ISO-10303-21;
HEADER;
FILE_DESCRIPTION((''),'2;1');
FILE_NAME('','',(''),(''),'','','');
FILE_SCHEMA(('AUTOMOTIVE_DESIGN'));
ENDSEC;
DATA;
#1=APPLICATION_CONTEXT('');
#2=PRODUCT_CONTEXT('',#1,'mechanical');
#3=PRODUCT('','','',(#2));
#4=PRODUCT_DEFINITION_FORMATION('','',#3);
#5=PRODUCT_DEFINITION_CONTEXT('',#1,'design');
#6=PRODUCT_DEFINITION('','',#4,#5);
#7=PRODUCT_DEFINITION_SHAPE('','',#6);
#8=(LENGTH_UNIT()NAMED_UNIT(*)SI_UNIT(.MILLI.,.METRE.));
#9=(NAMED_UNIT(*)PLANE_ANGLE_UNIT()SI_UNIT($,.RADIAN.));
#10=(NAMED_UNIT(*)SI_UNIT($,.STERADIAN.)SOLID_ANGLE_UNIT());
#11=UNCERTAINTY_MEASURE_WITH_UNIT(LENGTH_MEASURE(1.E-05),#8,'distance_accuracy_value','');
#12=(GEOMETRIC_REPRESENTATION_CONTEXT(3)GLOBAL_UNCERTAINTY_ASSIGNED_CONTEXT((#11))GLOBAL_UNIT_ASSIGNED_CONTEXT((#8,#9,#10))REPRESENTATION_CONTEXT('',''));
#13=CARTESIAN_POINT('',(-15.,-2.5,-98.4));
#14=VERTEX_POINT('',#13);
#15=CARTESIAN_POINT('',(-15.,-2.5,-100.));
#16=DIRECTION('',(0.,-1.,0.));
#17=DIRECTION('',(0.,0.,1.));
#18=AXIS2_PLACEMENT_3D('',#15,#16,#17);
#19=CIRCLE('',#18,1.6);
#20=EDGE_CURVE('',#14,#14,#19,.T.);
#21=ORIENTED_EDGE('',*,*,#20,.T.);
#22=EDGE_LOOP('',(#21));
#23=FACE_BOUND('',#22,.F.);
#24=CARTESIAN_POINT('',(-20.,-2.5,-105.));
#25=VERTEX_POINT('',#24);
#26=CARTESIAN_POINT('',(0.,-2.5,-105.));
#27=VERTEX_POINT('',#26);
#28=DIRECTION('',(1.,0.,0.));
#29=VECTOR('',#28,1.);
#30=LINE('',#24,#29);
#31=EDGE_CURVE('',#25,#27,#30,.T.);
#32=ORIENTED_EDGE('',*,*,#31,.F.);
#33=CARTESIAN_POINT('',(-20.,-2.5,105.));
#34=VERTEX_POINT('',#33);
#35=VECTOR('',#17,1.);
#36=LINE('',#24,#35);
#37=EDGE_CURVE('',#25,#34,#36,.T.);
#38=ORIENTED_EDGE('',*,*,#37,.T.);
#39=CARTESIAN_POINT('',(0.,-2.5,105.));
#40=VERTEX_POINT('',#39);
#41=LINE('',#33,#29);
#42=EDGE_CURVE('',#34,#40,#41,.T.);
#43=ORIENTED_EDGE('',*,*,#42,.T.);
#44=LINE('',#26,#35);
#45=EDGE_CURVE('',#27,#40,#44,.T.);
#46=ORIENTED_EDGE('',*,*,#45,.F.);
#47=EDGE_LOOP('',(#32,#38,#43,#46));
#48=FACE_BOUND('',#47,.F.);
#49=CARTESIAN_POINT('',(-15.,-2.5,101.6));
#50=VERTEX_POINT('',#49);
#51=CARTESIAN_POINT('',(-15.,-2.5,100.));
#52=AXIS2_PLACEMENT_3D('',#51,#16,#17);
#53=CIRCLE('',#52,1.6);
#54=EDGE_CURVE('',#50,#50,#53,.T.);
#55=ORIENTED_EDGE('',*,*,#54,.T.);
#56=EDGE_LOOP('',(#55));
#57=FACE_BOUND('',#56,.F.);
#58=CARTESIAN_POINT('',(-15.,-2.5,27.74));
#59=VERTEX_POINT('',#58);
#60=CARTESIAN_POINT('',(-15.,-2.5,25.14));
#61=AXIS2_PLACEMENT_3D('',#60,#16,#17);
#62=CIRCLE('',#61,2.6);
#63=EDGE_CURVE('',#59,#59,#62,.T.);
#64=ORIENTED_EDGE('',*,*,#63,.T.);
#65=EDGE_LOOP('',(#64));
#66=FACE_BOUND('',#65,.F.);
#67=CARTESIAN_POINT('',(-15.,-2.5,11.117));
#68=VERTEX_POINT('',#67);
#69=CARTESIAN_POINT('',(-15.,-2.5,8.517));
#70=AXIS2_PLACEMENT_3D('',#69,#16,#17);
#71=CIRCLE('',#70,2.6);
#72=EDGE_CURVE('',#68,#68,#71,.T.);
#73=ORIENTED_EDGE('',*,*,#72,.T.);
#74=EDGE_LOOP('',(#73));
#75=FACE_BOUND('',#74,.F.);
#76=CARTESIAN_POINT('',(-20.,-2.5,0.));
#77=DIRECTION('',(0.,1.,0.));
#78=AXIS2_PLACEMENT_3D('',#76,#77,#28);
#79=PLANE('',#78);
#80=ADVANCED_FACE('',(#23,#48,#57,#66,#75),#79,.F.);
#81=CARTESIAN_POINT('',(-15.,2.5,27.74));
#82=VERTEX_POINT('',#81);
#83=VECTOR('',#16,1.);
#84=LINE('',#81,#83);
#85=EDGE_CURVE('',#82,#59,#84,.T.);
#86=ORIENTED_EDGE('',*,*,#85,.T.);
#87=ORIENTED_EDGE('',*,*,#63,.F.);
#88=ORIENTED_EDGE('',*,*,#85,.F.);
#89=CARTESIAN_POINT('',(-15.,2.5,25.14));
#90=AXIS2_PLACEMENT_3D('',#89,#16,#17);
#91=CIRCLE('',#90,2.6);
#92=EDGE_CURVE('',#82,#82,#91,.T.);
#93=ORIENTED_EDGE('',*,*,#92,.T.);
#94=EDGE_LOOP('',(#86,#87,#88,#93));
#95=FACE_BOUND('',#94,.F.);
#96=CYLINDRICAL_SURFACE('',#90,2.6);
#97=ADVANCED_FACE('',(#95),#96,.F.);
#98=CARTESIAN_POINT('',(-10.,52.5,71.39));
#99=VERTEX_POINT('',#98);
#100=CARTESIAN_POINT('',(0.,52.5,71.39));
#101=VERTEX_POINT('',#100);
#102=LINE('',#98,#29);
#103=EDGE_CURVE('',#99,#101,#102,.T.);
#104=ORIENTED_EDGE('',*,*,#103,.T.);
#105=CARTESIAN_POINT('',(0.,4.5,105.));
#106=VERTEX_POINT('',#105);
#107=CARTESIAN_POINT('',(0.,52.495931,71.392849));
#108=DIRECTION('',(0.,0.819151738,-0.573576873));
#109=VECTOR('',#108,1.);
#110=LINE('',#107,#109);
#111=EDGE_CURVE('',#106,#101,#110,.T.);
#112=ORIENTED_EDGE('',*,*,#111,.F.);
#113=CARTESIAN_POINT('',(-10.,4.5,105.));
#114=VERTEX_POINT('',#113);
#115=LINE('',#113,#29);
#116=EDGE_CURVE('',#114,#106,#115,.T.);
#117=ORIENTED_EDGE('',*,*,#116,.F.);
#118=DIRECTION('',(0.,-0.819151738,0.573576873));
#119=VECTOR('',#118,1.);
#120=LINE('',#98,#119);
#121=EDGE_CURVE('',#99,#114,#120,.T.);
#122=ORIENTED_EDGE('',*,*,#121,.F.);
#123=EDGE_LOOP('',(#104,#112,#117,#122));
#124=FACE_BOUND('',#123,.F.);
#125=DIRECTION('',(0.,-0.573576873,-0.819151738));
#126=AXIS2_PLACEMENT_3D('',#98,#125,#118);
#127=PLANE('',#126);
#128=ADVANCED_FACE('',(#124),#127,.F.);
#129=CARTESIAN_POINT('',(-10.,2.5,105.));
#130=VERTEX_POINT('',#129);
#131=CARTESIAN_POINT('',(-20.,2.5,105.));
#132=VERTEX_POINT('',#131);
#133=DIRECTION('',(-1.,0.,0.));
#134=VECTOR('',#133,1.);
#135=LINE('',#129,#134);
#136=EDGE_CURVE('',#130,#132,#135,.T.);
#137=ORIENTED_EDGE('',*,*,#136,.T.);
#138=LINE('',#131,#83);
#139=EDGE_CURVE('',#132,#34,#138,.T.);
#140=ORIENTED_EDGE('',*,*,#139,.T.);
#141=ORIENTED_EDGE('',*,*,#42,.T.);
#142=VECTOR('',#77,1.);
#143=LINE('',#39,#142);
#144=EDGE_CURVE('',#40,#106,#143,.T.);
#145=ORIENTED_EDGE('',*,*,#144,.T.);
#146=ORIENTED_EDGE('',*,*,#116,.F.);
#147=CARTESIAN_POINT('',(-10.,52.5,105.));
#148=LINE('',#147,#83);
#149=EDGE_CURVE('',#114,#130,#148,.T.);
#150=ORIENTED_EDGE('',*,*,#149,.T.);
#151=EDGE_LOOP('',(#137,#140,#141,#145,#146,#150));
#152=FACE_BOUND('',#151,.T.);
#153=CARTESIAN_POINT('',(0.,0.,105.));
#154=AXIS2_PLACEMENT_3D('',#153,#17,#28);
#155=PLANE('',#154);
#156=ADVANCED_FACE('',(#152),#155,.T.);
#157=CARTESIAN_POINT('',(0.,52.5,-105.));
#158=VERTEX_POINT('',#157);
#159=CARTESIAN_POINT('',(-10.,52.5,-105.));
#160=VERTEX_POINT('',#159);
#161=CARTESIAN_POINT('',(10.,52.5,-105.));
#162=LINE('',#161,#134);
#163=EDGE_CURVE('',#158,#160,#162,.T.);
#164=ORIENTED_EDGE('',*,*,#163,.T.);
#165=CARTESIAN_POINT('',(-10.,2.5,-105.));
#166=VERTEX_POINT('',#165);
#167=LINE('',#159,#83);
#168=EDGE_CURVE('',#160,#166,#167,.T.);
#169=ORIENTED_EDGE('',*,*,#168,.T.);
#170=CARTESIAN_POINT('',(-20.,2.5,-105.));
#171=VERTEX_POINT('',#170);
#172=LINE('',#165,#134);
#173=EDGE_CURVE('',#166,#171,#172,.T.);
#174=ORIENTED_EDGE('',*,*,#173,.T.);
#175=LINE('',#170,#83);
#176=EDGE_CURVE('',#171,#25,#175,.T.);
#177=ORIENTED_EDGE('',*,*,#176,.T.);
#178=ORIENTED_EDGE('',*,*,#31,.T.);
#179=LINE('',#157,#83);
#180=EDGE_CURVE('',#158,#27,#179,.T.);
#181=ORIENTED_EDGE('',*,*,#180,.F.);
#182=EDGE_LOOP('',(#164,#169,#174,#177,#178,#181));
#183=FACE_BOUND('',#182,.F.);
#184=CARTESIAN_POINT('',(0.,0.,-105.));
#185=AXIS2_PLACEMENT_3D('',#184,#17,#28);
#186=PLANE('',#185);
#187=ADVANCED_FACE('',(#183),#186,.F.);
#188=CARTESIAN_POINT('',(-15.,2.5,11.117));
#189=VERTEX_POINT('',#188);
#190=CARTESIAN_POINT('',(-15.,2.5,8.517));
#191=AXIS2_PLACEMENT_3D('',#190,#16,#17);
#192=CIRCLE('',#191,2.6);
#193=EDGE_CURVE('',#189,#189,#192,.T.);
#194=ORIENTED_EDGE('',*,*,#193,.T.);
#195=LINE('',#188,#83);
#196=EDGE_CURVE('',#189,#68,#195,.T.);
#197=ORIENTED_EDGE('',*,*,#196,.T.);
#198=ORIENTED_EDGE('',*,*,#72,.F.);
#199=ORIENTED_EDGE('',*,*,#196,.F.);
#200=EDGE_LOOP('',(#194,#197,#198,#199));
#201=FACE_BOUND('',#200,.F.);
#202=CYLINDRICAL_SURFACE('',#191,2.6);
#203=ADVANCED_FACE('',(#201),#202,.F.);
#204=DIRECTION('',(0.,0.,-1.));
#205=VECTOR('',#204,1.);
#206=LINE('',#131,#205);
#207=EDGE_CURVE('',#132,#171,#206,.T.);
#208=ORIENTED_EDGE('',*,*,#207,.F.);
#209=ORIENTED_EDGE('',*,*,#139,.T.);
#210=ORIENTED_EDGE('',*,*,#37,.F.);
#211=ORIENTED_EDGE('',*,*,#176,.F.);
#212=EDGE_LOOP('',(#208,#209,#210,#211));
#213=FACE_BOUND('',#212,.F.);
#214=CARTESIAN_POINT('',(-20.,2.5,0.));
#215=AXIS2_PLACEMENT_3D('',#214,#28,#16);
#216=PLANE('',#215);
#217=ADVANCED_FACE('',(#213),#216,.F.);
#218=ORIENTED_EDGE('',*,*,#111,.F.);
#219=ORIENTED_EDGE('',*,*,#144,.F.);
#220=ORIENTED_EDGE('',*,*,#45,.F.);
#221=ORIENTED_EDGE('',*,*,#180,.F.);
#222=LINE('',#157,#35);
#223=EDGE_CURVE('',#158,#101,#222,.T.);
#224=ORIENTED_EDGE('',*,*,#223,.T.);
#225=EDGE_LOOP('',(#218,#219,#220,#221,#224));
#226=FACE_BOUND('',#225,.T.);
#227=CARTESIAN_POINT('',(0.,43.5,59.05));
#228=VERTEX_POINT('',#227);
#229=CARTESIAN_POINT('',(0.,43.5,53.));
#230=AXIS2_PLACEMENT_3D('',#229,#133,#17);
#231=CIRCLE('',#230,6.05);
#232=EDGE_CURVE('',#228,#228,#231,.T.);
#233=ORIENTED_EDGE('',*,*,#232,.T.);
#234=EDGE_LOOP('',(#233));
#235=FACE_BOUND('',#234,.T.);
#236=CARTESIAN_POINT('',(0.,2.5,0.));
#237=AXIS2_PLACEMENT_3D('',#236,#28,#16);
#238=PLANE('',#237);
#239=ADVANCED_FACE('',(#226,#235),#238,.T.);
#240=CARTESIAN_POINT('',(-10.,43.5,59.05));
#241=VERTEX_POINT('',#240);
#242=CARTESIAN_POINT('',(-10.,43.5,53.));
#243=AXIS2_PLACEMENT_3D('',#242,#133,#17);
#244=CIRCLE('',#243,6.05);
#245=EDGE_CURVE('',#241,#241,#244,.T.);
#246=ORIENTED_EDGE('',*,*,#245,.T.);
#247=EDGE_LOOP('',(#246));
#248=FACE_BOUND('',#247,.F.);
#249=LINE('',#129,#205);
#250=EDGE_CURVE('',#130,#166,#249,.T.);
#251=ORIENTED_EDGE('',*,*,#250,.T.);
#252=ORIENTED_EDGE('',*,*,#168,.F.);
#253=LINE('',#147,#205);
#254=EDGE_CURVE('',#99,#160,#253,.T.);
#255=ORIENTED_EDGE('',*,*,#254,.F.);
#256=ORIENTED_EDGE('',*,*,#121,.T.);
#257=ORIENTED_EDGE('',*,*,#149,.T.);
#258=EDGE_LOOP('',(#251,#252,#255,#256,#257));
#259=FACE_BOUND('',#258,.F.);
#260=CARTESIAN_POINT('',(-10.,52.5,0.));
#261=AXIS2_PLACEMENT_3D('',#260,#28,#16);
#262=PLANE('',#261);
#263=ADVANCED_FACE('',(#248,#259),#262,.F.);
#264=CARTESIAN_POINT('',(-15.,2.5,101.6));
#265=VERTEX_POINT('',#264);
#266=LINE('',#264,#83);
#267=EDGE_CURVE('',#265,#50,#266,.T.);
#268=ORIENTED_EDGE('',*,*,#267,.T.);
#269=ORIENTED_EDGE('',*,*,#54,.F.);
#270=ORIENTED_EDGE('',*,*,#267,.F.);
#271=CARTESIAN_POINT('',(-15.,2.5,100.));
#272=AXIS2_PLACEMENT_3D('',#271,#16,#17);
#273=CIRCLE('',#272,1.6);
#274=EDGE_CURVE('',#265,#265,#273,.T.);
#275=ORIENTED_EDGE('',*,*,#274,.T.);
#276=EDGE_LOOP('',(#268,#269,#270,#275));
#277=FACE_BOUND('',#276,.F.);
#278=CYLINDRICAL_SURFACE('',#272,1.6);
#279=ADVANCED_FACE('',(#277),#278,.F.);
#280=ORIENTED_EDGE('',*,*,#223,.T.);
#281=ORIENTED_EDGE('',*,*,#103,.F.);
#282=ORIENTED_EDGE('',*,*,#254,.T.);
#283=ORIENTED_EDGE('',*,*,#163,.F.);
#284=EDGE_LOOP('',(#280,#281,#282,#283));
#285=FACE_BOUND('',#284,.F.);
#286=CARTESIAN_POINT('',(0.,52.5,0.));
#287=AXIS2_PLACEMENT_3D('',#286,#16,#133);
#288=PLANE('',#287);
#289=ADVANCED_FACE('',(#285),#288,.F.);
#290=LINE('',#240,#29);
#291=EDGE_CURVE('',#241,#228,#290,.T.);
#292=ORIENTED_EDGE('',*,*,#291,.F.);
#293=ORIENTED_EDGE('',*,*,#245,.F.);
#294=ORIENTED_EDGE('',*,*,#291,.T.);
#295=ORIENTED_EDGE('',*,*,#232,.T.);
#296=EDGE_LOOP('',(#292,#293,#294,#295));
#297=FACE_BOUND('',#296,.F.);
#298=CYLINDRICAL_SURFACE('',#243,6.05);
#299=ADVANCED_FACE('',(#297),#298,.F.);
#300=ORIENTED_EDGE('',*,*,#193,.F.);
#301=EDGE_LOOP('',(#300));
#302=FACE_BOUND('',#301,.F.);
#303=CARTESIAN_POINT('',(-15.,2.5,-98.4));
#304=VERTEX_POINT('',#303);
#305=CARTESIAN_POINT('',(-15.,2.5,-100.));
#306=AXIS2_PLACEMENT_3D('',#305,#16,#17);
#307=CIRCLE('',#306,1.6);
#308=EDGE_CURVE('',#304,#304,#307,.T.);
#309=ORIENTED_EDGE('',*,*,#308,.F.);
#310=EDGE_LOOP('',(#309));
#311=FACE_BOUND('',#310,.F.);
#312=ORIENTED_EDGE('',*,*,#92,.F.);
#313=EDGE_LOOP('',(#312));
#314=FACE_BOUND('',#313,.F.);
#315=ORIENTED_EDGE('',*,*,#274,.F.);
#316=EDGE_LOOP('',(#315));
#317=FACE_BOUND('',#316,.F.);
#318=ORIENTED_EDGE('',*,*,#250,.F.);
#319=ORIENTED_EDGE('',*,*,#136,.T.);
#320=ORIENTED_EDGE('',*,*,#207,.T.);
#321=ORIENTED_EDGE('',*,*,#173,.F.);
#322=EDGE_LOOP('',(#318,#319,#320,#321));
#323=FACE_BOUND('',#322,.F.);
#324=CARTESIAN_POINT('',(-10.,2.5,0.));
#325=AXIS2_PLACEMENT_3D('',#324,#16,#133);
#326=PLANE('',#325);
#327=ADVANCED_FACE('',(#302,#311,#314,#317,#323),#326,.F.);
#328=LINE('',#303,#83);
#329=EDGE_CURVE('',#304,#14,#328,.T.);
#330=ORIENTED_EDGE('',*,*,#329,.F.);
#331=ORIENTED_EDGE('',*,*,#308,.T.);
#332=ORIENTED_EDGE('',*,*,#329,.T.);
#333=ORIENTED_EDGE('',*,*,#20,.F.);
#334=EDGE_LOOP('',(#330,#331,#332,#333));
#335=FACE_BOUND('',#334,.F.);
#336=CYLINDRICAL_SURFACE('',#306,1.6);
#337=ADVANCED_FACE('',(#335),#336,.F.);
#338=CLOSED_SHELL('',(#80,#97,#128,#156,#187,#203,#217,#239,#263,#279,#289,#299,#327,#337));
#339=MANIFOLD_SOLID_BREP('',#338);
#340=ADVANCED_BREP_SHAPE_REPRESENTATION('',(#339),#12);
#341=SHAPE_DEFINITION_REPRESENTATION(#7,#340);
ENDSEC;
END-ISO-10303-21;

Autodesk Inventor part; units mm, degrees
ref_plane "YZ Plane" through (0, 0, 0) normal (1, 0, 0) x (0, 1, 0)
ref_plane "XZ Plane" through (0, 0, 0) normal (0, 1, 0) x (-1, 0, 0)
ref_plane "XY Plane" through (0, 0, 0) normal (0, 0, 1) x (1, 0, 0)
sketch "スケッチ1" plane through (0, 0, 0) normal (0, 0, 1) x (1, 0, 0)
  line L0 (-20, -2.5) -> (20, -2.5)
  line L1 (20, -2.5) -> (20, 2.5)
  line L2 (-20, 2.5) -> (-20, -2.5)
  line L3 (-20, -2.5) -> (20, 2.5) construction
  line L4 (20, -2.5) -> (-20, 2.5) construction
  line L5 (-10, 2.5) -> (10, 2.5)
  line L6 (10, 2.5) -> (10, 52.5)
  line L7 (10, 52.5) -> (-10, 52.5)
  line L8 (-10, 52.5) -> (-10, 2.5)
  line L9 (-10, 2.5) -> (10, 52.5) construction
  line L10 (10, 2.5) -> (-10, 52.5) construction
  line L11 (20, 2.5) -> (10, 2.5)
  line L12 (-10, 2.5) -> (-20, 2.5)
  line L13 (0, 52.5) -> (0, -2.5)
  point P0 (0, 0)
  point P1 (0, 27.5)
  point P2 (0, 27.5)
  point P3 (0, 0)
  dimension "d0" = 20
  dimension "d1" = 50
  dimension "d2" = 5
  dimension "d3" = 10
extrude "押し出し1" add sketch "スケッチ1" along normal mid plane 210 contours L2 L12 L5 L13 L0 | L5 L8 L7 L13
sketch "スケッチ8" plane through (-10, 2.5, 105) normal (-1, 0, 0) x (0, 0, 1)
  line L0 (-210, 50) -> (0, 50) projected
  line L1 (-33.61, 50) -> (0, 2)
  line L2 (0, -5) -> (0, 50) projected
  line L3 (-210, 0) -> (0, 0) projected
  point P0 (-105, -2.5)
  dimension "d60" = 2
  dimension "d68" = 145
extrude "押し出し5" cut sketch "スケッチ8" against normal blind 210
sketch "スケッチ9" plane through (-10, 2.5, -105) normal (-1, 0, 0) x (0, 0, 1)
  circle A0 centre (158, 41) radius 6.05
  line L0 (210, 2) -> (210, 0) projected
  line L1 (0, 0) -> (210, 0) projected
  point P0 (105, -2.5)
  dimension "d63" = 12.1
  dimension "d64" = 52
  dimension "d65" = 41
extrude "押し出し6" cut sketch "スケッチ9" against normal blind 210
sketch "スケッチ10" plane through (-20, 2.5, 105) normal (0, 1, 0) x (1, 0, 0)
  line L0 (0, 210) -> (0, 0) projected
  line L1 (10, 0) -> (0, 0) projected
  line L2 (0, 210) -> (10, 210) projected
  point P0 (20, 105)
  point P1 (5, 5)
  point P2 (5, 79.86)
  point P3 (5, 96.483)
  point P4 (5, 205)
  dimension "d69" = 5
  dimension "d70" = 5
  dimension "d71" = 74.86
  dimension "d72" = 16.623
  dimension "d73" = 5
hole "穴5" at (-15, 2.5, -100) at (-15, 2.5, 100) direction (0, -1, 0) diameter 3.2 end through all
hole "穴6" at (-15, 2.5, 25.14) at (-15, 2.5, 8.517) direction (0, -1, 0) diameter 5.2 end through all
properties part number "s_base4"
